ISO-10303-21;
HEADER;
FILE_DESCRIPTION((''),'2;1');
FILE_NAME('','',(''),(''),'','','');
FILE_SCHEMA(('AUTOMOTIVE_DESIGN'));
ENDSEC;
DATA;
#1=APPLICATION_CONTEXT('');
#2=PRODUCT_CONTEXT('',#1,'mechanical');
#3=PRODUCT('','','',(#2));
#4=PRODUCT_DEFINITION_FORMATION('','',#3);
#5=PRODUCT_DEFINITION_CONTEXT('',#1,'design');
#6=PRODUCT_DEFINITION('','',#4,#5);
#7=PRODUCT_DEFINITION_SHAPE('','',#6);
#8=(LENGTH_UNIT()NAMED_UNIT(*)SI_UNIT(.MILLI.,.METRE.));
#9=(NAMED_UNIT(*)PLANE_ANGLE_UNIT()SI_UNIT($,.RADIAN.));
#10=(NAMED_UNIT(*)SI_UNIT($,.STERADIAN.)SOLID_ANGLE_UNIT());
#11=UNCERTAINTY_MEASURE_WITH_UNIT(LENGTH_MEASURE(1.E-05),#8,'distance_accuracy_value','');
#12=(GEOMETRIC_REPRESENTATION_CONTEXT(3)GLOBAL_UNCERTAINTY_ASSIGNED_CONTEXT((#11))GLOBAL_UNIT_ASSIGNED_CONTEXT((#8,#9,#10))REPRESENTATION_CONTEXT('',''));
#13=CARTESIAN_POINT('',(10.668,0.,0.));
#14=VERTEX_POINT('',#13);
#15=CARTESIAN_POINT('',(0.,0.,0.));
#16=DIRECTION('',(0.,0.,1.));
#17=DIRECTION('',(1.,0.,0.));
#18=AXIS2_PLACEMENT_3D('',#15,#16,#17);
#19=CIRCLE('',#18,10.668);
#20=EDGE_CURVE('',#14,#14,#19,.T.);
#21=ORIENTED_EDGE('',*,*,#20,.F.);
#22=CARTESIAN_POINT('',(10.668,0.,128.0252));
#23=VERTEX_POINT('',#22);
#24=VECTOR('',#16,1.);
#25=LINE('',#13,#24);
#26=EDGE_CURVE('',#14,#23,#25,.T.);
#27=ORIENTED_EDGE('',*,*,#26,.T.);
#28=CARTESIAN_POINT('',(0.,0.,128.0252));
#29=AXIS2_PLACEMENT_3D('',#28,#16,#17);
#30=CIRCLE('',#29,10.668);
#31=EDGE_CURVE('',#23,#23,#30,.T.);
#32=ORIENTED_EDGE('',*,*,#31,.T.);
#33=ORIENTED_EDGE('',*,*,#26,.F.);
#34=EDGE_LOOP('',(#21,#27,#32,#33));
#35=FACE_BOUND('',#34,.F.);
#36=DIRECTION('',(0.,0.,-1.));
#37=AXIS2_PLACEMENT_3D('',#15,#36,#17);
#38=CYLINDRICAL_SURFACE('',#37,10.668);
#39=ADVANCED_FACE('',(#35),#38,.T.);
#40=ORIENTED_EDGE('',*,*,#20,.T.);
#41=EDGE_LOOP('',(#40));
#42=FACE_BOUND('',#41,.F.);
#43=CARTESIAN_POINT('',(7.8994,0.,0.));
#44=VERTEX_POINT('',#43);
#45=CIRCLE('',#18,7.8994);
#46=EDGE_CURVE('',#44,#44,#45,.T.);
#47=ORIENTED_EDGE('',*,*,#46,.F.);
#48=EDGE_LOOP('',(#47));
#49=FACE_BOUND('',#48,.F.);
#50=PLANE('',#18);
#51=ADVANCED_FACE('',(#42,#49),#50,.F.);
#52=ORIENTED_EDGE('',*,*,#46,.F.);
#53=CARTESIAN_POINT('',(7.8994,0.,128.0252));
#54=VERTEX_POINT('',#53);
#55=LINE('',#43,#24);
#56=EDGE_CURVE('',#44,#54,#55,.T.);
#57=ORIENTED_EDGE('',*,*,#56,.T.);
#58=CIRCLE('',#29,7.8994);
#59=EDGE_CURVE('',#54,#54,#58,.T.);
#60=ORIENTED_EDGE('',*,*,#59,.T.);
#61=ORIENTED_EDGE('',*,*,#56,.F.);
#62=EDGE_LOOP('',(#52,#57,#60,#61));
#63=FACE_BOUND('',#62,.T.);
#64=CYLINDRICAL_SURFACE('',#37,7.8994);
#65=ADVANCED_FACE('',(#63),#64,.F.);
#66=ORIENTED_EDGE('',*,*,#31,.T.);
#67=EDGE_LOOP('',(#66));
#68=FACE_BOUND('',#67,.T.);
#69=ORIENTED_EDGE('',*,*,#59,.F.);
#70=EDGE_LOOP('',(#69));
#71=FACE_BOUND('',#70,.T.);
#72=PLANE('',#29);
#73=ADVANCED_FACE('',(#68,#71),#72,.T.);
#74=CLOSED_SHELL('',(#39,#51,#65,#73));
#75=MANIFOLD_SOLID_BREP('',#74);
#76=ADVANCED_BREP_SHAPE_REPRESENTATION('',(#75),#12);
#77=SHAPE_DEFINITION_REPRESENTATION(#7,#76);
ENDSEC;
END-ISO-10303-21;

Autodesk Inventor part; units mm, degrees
ref_plane "YZ Plane" through (0, 0, 0) normal (1, 0, 0) x (0, 1, 0)
ref_plane "Start Plane" through (0, 0, 0) normal (0, 0, 1) x (1, 0, 0)
ref_plane "End Plane" through (0, 0, 128.0252) normal (0, 0, 1) x (1, 0, 0)
sketch "Sketch" plane through (0, 0, 0) normal (0, 0, 1) x (1, 0, 0)
  circle A0 centre (0, 0) radius 7.8994
  circle A1 centre (0, 0) radius 10.668
  dimension "d0" = 21.336
  dimension "d1" = 2.7686
extrude "Body" add sketch "Sketch" along normal up to surface (128.0252 mm away) from surface at 0
sketch "Sketch3" plane through (0, 0, 0) normal (0, 0, 1) x (1, 0, 0)
  line L0 (0, 0) -> (10, 0)
ref_plane "Work Plane3" through (0, 0, 0) normal (0, -1, 0) x (1, 0, 0)
sketch "Sketch4" plane through (0, 0, 0) normal (0, -1, 0) x (1, 0, 0)
  line L0 (-2, 0) -> (12, 0) projected
  line L1 (-2, 128.0252) -> (12, 128.0252) projected
  dimension "d7" = 128.0251
equation "\"d0\" = G_H"
equation "\"d1\" = G_T"
equation "\"d2\" = G_L"
equation "\"G_H\" = 21.336"
equation "\"G_T\" = 2.7686"
equation "\"G_L\" = d7"
equation "\"G_OFFSET_START\" = 0"
equation "\"G_OFFSET_END\" = 0"
equation "\"d5\" = G_OFFSET_END + B_L"
equation "\"B_L\" = 128.02515"
properties part number "ANSI - 1/2 x 0.109 - 5.04" material "Steel, Mild"
